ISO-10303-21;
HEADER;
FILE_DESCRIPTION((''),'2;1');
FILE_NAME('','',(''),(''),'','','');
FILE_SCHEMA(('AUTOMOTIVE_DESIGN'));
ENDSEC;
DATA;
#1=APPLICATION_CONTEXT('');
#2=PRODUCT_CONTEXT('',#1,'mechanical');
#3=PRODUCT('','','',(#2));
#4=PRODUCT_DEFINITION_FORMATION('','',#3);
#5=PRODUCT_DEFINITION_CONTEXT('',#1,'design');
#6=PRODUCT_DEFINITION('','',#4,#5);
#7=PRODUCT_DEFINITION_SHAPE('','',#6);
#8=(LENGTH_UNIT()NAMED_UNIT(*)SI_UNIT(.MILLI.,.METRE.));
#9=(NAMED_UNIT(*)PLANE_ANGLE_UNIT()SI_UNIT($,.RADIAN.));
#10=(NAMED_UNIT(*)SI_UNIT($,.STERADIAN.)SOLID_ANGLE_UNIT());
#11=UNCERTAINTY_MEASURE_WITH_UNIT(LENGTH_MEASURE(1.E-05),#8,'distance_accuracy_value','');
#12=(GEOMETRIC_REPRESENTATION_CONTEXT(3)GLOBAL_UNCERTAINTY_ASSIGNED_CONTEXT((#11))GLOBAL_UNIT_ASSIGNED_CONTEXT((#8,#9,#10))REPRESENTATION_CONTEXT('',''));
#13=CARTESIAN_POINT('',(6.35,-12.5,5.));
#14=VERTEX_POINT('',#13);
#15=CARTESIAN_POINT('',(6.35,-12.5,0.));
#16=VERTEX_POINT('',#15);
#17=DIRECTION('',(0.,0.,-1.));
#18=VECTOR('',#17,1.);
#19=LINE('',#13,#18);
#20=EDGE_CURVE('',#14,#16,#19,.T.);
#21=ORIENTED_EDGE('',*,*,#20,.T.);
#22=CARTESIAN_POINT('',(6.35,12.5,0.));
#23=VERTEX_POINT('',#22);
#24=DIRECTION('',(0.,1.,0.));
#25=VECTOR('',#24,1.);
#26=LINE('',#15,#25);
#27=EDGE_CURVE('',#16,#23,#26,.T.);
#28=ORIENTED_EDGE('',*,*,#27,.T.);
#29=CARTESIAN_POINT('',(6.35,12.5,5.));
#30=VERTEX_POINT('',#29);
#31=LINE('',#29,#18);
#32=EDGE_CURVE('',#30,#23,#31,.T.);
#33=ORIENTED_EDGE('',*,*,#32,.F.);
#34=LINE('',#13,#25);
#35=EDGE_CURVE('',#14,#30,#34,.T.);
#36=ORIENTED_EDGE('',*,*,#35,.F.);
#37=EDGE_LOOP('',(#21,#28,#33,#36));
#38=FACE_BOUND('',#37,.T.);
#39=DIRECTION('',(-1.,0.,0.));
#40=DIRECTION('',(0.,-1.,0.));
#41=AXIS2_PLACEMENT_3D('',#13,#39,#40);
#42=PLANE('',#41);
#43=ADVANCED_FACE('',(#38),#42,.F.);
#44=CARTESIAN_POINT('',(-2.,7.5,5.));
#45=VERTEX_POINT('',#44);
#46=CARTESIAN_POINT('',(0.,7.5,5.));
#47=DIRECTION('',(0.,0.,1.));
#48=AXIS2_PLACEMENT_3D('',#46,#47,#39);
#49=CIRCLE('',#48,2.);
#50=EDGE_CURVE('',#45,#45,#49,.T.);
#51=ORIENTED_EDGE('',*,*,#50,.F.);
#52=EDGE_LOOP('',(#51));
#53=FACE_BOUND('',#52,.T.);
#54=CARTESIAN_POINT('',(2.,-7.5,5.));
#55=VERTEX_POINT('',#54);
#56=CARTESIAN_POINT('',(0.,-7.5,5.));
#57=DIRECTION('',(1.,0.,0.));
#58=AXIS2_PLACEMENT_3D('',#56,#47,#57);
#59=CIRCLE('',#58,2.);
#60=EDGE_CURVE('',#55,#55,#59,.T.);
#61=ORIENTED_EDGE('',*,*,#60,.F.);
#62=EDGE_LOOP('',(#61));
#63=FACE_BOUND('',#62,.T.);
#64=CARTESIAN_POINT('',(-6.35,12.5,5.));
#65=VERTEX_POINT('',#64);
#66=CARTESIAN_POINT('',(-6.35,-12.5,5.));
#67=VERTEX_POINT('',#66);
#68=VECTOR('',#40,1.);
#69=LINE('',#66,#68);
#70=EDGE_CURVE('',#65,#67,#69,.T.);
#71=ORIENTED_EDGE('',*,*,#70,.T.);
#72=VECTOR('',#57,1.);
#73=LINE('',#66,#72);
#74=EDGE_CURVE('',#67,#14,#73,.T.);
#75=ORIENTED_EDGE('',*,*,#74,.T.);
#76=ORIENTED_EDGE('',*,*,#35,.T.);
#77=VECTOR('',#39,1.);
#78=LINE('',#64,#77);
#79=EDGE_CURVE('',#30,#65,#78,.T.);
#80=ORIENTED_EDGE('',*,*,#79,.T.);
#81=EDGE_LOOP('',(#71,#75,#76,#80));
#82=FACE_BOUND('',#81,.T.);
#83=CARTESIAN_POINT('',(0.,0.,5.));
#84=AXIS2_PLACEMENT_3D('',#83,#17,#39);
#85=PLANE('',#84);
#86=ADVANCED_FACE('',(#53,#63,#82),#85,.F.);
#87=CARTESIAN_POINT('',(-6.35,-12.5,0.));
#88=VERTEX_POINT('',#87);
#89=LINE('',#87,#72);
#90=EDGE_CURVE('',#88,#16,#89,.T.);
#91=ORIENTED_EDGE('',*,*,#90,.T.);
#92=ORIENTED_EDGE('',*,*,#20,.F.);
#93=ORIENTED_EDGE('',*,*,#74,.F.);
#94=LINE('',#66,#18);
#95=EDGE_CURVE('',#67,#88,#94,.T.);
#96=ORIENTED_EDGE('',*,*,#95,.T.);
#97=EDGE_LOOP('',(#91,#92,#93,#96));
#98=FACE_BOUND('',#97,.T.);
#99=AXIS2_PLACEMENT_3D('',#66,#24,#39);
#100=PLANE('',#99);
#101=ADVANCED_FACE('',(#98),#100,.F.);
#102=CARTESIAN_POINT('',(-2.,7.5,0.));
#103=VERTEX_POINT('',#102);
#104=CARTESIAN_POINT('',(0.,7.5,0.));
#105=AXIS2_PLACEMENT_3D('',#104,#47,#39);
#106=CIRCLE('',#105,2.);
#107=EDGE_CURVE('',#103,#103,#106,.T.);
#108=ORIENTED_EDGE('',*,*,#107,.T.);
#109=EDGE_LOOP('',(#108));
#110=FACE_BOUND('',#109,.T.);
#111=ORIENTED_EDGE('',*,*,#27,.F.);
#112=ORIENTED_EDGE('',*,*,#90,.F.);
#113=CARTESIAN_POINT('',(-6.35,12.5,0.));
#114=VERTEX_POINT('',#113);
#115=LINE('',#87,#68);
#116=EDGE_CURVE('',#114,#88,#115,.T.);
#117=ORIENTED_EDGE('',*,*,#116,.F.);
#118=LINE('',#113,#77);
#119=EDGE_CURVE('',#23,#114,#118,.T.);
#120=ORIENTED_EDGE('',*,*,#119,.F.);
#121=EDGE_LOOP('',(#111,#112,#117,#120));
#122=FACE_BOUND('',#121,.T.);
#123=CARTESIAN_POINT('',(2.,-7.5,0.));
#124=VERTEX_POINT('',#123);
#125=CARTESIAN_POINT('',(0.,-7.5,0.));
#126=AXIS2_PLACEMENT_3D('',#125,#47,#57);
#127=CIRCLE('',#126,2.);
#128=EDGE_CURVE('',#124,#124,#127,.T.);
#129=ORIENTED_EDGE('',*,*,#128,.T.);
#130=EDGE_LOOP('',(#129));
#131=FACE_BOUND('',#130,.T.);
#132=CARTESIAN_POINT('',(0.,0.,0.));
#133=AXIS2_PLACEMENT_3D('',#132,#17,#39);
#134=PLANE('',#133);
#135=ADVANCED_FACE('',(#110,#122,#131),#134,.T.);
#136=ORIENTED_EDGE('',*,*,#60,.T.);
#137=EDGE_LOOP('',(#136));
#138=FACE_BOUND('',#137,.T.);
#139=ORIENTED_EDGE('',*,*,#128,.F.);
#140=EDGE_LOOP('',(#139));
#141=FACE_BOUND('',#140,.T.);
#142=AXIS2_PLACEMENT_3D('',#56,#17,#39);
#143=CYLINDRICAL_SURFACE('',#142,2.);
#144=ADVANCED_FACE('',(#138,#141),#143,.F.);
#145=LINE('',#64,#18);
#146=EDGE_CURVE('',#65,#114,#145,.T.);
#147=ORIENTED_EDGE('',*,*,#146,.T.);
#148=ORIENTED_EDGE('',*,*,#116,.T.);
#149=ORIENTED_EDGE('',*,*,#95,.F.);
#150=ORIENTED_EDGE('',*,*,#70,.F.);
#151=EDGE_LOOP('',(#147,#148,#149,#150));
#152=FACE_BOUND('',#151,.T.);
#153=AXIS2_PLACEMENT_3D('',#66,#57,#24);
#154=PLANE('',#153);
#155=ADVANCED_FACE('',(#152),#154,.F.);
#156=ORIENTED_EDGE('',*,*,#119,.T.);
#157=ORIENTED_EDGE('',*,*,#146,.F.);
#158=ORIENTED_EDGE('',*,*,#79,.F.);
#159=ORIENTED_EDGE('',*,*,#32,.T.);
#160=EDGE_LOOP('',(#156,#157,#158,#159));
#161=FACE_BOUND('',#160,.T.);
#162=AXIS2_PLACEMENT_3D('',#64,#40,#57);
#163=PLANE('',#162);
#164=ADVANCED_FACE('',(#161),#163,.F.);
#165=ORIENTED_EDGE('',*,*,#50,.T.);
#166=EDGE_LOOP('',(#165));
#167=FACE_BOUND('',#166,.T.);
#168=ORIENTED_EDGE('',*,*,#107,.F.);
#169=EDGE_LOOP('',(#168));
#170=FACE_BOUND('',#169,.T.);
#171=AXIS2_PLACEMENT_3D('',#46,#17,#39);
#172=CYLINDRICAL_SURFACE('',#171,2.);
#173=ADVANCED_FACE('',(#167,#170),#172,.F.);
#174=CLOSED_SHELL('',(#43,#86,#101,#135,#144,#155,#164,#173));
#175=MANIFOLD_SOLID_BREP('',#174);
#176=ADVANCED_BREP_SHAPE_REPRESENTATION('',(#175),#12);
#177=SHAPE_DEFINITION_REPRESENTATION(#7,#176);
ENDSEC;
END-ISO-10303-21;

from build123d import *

# Parameters (mm, degrees)
SKETCH1_W           = 12.7
SKETCH1_H           = 25
SKETCH1_R           = 2
BOSS_EXTRUDE1_DEPTH = 5


with BuildPart() as part:
    # Sketch1 → Boss-Extrude1 (new body)
    with BuildSketch(Plane.XY):
        Rectangle(SKETCH1_W, SKETCH1_H)
        with Locations((0, -7.5)):
            Circle(SKETCH1_R, mode=Mode.SUBTRACT)
        with Locations(Location((0, 7.5, 0), (0, 0, 180))):
            Circle(SKETCH1_R, mode=Mode.SUBTRACT)
    extrude(amount=BOSS_EXTRUDE1_DEPTH)


solid = part.part
